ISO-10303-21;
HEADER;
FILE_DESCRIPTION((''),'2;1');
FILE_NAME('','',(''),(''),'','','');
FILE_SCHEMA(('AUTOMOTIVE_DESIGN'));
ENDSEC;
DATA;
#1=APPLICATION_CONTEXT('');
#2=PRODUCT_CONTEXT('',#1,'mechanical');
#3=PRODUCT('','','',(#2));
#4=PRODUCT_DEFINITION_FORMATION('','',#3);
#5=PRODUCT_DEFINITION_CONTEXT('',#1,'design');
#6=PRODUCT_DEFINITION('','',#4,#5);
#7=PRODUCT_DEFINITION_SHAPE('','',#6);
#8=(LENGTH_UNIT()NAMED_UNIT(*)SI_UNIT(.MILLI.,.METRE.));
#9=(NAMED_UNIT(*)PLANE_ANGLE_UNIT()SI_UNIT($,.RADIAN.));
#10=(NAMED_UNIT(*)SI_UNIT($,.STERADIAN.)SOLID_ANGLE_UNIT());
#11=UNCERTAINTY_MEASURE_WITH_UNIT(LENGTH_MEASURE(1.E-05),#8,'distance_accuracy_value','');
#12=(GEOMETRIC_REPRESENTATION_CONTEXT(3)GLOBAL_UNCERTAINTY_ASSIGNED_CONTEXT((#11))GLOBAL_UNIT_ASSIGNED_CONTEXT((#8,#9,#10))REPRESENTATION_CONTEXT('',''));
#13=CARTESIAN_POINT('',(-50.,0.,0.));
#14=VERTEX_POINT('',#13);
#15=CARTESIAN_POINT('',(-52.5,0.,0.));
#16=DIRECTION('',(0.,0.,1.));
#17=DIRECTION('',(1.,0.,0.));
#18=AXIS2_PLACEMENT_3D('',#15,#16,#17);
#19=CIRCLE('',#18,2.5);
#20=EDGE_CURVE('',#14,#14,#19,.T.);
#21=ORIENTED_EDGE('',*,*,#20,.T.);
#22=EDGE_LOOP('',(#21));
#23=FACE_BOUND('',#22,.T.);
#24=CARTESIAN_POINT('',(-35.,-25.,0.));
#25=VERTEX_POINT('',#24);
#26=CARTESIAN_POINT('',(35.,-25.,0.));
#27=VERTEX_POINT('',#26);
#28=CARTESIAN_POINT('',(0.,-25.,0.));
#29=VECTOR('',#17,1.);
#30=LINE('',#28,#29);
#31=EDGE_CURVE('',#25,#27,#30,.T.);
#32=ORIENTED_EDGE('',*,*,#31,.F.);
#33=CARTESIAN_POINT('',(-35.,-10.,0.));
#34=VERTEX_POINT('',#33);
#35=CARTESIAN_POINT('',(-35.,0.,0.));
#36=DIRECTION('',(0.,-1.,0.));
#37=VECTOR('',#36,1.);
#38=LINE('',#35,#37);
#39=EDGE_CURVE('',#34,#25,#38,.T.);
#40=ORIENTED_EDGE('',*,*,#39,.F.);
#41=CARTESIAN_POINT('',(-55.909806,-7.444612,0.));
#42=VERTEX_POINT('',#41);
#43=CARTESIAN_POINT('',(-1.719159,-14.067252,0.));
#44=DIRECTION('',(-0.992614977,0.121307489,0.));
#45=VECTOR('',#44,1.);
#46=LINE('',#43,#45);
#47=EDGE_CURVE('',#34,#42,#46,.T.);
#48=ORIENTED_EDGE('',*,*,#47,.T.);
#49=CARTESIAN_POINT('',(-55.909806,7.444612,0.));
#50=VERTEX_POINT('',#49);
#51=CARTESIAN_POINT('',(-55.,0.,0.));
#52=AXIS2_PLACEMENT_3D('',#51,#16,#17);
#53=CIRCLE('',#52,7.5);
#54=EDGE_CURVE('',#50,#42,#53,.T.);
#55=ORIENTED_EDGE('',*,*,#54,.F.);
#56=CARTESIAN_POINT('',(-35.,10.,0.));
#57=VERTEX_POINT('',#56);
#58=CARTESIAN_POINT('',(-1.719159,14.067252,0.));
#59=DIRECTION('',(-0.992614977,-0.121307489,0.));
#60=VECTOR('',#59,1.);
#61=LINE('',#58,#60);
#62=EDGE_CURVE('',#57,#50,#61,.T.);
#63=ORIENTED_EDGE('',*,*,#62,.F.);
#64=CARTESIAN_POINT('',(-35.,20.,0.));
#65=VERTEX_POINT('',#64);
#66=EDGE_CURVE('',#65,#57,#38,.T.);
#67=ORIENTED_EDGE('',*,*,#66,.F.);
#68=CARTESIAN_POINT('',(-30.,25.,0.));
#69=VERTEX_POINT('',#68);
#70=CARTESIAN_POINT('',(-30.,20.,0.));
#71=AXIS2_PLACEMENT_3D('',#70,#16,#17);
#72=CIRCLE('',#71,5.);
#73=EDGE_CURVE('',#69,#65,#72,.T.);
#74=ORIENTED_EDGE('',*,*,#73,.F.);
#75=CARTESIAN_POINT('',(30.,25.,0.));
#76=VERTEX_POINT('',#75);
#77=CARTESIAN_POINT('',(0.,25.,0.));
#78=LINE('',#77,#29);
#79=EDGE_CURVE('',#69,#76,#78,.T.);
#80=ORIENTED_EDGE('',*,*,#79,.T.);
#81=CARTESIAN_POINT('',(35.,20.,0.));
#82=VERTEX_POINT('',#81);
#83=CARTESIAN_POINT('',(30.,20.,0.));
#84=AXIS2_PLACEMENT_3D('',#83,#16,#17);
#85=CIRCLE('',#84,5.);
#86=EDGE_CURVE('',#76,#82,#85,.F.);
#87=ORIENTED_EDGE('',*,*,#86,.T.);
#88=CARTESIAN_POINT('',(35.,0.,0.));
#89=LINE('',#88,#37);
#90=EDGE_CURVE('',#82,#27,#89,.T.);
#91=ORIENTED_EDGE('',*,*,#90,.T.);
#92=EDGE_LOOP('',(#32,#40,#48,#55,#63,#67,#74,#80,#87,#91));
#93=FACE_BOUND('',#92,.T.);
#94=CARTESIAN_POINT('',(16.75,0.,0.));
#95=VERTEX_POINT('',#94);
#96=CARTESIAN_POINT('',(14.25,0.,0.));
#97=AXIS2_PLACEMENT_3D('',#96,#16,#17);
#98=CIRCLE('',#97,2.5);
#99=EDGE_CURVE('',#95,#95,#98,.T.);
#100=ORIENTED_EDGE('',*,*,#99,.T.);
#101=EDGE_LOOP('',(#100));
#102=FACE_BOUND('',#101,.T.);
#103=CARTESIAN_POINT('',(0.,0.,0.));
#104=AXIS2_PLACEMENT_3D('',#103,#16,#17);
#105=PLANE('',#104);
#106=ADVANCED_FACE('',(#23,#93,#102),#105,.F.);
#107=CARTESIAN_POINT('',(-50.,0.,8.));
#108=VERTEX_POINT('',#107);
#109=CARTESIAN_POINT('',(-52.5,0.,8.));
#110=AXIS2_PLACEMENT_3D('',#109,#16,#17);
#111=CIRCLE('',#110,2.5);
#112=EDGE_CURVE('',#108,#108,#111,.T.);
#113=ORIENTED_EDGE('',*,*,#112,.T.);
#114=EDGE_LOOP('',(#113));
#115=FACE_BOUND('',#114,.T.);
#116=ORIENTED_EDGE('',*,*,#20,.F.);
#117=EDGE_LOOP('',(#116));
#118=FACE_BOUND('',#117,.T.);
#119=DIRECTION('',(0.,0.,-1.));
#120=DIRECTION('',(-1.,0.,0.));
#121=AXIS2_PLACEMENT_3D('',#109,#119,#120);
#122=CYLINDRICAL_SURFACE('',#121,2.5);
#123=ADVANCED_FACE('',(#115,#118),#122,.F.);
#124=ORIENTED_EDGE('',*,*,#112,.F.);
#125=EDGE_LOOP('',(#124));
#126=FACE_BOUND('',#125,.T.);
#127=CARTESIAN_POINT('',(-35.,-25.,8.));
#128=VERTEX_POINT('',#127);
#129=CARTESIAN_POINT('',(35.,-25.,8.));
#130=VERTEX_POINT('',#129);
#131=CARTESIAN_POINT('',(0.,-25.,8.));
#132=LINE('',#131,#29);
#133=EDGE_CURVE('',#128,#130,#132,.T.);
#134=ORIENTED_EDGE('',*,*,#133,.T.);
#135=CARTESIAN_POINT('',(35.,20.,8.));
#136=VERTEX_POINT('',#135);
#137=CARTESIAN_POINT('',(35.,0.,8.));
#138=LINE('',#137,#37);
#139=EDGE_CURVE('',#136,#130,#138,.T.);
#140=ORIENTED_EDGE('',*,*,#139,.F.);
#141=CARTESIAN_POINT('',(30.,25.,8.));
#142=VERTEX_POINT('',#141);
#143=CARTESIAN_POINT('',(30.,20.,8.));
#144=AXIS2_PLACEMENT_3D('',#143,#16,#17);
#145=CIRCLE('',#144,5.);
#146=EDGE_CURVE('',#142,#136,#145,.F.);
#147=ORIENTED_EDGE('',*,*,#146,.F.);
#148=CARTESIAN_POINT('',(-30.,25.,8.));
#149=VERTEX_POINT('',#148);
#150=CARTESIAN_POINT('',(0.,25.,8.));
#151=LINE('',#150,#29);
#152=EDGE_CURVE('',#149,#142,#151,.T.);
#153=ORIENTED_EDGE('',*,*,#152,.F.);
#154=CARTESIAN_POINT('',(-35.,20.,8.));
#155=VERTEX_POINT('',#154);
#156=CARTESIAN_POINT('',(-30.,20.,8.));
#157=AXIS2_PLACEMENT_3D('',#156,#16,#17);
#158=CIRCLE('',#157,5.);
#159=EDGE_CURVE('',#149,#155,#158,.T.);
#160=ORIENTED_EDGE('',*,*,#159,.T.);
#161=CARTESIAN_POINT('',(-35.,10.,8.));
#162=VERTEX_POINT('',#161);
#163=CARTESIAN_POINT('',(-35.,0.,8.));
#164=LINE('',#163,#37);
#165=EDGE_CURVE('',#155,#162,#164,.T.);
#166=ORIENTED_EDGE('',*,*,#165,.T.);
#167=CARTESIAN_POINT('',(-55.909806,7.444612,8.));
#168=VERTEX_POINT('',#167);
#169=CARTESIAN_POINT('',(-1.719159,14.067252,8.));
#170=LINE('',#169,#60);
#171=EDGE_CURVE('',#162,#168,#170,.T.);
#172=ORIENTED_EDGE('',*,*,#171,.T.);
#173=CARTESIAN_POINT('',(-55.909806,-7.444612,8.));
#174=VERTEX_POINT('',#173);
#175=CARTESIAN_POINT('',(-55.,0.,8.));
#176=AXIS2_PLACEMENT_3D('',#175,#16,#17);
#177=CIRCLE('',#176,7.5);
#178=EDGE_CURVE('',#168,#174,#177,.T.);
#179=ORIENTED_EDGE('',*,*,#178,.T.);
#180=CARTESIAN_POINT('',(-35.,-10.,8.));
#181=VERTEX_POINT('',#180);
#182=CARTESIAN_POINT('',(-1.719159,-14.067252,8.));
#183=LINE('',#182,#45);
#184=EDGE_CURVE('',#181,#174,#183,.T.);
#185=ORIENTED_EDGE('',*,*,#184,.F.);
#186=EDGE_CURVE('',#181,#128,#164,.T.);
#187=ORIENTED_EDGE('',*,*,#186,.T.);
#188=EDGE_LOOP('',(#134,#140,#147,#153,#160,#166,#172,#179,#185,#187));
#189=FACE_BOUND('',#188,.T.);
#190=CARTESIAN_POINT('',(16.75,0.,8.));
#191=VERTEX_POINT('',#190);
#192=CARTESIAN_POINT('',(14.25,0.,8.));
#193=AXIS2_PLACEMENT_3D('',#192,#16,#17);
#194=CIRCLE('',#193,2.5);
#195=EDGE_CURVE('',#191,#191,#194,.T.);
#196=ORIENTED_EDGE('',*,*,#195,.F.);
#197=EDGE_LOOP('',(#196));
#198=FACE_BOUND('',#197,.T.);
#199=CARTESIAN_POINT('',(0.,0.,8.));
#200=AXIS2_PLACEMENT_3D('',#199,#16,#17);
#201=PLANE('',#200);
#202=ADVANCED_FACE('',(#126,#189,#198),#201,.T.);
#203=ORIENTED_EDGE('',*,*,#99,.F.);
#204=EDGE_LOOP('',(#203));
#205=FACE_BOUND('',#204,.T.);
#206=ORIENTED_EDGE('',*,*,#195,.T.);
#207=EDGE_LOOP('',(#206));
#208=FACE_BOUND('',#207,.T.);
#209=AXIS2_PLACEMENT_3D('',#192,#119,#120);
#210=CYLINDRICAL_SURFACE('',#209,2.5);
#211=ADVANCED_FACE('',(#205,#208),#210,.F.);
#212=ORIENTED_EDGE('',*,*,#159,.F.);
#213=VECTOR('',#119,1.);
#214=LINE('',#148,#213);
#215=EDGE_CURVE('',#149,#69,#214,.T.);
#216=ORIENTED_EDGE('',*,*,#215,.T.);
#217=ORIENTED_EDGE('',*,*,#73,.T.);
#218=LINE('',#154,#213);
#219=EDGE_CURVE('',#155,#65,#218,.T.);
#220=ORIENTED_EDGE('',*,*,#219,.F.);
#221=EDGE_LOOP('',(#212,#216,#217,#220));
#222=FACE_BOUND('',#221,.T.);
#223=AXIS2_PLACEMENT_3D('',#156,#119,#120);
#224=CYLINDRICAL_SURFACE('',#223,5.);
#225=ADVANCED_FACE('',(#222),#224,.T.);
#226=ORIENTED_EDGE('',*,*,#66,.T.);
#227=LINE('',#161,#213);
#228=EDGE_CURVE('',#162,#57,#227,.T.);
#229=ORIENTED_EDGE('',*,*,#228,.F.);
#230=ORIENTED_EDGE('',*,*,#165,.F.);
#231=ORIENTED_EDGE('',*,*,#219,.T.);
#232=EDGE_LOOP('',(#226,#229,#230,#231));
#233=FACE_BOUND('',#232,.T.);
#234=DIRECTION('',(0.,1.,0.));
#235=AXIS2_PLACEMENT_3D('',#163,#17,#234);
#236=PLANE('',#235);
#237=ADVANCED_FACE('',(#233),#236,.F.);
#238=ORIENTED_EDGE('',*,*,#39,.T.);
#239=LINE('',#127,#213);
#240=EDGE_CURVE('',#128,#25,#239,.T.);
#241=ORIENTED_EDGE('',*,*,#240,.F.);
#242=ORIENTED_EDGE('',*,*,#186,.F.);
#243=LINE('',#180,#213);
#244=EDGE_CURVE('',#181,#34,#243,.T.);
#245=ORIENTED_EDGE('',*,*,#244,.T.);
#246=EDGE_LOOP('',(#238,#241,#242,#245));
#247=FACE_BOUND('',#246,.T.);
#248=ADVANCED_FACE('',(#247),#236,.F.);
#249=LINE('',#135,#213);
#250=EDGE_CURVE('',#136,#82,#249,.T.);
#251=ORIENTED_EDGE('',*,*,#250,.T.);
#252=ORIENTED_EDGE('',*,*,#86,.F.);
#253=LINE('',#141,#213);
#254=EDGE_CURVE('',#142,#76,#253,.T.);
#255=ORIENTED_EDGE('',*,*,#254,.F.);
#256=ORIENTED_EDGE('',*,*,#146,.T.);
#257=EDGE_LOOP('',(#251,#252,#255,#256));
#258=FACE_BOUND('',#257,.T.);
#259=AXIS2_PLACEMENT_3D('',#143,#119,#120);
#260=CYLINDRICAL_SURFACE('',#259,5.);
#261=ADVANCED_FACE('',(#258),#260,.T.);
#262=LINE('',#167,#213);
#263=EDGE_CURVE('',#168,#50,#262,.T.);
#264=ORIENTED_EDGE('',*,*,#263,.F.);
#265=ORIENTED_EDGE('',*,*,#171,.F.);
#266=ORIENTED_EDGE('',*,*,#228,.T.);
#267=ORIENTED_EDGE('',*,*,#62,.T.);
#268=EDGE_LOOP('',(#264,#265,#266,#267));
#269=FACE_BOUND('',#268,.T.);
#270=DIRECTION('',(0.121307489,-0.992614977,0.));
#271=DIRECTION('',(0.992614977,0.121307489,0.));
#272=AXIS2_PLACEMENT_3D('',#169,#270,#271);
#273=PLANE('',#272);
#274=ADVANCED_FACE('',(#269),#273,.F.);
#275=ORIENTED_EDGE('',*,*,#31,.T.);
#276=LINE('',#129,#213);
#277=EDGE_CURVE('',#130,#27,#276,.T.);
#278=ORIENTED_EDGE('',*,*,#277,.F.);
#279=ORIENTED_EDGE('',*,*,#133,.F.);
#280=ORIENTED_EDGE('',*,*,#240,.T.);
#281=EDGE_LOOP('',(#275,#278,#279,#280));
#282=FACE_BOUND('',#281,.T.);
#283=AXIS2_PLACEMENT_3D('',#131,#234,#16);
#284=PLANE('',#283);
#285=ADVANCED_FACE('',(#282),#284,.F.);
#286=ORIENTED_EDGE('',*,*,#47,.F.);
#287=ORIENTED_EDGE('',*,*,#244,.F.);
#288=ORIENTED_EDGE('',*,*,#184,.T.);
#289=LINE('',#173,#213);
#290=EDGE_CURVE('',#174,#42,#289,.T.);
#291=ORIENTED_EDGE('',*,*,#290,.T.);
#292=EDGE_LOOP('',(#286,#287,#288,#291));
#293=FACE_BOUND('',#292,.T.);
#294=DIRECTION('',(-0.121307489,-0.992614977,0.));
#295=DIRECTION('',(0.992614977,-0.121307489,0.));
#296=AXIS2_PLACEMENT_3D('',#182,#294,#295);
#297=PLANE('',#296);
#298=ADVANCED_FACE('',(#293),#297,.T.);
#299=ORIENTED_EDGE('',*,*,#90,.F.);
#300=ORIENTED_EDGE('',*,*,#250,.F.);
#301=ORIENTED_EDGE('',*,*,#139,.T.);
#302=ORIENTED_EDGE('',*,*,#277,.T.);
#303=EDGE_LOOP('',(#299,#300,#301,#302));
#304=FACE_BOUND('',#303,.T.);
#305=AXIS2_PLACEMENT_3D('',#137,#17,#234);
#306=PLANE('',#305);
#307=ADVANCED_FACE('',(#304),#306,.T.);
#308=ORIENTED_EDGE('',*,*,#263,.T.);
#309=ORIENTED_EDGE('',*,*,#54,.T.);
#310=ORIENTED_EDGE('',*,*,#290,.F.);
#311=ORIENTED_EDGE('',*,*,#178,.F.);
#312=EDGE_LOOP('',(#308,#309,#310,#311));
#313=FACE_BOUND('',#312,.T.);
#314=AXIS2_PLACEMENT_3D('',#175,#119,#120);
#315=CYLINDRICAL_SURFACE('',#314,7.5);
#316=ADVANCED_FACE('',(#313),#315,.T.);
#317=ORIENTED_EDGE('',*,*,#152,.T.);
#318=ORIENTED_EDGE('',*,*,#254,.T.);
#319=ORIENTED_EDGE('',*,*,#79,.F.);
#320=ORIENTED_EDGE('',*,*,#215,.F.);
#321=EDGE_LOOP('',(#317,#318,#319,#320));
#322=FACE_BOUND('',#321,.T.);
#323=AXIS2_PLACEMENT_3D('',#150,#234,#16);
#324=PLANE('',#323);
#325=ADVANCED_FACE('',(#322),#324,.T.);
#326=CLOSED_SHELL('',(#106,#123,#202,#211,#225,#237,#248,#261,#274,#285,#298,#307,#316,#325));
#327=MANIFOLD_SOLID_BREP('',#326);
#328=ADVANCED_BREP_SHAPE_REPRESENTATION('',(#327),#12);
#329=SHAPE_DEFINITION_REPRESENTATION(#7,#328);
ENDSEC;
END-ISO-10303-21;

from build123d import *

# Parameters (mm, degrees)
SKETCH1_R           = 2.5
BOSS_EXTRUDE3_DEPTH = 8


with BuildPart() as part:
    # Sketch1 → Boss-Extrude3 (new body)
    # profile 1 of 3: a face of its own
    with BuildSketch(Plane.XY):
        with BuildLine():
            ThreePointArc((30, 25), (33.535533906, 23.535533906), (35, 20))
            Line((35, 20), (35, -25))
            Line((35, -25), (-35, -25))
            Line((-35, -25), (-35, 20))
            ThreePointArc((-35, 20), (-33.535533906, 23.535533906), (-30, 25))
            Line((-30, 25), (30, 25))
        make_face()
        with Locations((14.25, 0)):
            Circle(SKETCH1_R, mode=Mode.SUBTRACT)
    # profile 2 of 3: a face of its own
    with BuildSketch(Plane.XY):
        with BuildLine():
            Line((-35, -10), (-35, 10))
            Line((-35, 10), (-55.909806165, 7.44461233))
            ThreePointArc((-55.909806165, 7.44461233), (-50.028760026, 5.615761134), (-47.5, 0))
            ThreePointArc((-47.5, 0), (-50.028760026, -5.615761134), (-55.909806165, -7.44461233))
            Line((-55.909806165, -7.44461233), (-35, -10))
        make_face()
    # profile 3 of 3: a face of its own
    with BuildSketch(Plane.XY):
        with BuildLine():
            ThreePointArc((-47.5, 0), (-50.028760026, 5.615761134), (-55.909806165, 7.44461233))
            ThreePointArc((-55.909806165, 7.44461233), (-62.5, 0), (-55.909806165, -7.44461233))
            ThreePointArc((-55.909806165, -7.44461233), (-50.028760026, -5.615761134), (-47.5, 0))
        make_face()
        with Locations((-52.5, 0)):
            Circle(SKETCH1_R, mode=Mode.SUBTRACT)
    extrude(amount=BOSS_EXTRUDE3_DEPTH)


solid = part.part
